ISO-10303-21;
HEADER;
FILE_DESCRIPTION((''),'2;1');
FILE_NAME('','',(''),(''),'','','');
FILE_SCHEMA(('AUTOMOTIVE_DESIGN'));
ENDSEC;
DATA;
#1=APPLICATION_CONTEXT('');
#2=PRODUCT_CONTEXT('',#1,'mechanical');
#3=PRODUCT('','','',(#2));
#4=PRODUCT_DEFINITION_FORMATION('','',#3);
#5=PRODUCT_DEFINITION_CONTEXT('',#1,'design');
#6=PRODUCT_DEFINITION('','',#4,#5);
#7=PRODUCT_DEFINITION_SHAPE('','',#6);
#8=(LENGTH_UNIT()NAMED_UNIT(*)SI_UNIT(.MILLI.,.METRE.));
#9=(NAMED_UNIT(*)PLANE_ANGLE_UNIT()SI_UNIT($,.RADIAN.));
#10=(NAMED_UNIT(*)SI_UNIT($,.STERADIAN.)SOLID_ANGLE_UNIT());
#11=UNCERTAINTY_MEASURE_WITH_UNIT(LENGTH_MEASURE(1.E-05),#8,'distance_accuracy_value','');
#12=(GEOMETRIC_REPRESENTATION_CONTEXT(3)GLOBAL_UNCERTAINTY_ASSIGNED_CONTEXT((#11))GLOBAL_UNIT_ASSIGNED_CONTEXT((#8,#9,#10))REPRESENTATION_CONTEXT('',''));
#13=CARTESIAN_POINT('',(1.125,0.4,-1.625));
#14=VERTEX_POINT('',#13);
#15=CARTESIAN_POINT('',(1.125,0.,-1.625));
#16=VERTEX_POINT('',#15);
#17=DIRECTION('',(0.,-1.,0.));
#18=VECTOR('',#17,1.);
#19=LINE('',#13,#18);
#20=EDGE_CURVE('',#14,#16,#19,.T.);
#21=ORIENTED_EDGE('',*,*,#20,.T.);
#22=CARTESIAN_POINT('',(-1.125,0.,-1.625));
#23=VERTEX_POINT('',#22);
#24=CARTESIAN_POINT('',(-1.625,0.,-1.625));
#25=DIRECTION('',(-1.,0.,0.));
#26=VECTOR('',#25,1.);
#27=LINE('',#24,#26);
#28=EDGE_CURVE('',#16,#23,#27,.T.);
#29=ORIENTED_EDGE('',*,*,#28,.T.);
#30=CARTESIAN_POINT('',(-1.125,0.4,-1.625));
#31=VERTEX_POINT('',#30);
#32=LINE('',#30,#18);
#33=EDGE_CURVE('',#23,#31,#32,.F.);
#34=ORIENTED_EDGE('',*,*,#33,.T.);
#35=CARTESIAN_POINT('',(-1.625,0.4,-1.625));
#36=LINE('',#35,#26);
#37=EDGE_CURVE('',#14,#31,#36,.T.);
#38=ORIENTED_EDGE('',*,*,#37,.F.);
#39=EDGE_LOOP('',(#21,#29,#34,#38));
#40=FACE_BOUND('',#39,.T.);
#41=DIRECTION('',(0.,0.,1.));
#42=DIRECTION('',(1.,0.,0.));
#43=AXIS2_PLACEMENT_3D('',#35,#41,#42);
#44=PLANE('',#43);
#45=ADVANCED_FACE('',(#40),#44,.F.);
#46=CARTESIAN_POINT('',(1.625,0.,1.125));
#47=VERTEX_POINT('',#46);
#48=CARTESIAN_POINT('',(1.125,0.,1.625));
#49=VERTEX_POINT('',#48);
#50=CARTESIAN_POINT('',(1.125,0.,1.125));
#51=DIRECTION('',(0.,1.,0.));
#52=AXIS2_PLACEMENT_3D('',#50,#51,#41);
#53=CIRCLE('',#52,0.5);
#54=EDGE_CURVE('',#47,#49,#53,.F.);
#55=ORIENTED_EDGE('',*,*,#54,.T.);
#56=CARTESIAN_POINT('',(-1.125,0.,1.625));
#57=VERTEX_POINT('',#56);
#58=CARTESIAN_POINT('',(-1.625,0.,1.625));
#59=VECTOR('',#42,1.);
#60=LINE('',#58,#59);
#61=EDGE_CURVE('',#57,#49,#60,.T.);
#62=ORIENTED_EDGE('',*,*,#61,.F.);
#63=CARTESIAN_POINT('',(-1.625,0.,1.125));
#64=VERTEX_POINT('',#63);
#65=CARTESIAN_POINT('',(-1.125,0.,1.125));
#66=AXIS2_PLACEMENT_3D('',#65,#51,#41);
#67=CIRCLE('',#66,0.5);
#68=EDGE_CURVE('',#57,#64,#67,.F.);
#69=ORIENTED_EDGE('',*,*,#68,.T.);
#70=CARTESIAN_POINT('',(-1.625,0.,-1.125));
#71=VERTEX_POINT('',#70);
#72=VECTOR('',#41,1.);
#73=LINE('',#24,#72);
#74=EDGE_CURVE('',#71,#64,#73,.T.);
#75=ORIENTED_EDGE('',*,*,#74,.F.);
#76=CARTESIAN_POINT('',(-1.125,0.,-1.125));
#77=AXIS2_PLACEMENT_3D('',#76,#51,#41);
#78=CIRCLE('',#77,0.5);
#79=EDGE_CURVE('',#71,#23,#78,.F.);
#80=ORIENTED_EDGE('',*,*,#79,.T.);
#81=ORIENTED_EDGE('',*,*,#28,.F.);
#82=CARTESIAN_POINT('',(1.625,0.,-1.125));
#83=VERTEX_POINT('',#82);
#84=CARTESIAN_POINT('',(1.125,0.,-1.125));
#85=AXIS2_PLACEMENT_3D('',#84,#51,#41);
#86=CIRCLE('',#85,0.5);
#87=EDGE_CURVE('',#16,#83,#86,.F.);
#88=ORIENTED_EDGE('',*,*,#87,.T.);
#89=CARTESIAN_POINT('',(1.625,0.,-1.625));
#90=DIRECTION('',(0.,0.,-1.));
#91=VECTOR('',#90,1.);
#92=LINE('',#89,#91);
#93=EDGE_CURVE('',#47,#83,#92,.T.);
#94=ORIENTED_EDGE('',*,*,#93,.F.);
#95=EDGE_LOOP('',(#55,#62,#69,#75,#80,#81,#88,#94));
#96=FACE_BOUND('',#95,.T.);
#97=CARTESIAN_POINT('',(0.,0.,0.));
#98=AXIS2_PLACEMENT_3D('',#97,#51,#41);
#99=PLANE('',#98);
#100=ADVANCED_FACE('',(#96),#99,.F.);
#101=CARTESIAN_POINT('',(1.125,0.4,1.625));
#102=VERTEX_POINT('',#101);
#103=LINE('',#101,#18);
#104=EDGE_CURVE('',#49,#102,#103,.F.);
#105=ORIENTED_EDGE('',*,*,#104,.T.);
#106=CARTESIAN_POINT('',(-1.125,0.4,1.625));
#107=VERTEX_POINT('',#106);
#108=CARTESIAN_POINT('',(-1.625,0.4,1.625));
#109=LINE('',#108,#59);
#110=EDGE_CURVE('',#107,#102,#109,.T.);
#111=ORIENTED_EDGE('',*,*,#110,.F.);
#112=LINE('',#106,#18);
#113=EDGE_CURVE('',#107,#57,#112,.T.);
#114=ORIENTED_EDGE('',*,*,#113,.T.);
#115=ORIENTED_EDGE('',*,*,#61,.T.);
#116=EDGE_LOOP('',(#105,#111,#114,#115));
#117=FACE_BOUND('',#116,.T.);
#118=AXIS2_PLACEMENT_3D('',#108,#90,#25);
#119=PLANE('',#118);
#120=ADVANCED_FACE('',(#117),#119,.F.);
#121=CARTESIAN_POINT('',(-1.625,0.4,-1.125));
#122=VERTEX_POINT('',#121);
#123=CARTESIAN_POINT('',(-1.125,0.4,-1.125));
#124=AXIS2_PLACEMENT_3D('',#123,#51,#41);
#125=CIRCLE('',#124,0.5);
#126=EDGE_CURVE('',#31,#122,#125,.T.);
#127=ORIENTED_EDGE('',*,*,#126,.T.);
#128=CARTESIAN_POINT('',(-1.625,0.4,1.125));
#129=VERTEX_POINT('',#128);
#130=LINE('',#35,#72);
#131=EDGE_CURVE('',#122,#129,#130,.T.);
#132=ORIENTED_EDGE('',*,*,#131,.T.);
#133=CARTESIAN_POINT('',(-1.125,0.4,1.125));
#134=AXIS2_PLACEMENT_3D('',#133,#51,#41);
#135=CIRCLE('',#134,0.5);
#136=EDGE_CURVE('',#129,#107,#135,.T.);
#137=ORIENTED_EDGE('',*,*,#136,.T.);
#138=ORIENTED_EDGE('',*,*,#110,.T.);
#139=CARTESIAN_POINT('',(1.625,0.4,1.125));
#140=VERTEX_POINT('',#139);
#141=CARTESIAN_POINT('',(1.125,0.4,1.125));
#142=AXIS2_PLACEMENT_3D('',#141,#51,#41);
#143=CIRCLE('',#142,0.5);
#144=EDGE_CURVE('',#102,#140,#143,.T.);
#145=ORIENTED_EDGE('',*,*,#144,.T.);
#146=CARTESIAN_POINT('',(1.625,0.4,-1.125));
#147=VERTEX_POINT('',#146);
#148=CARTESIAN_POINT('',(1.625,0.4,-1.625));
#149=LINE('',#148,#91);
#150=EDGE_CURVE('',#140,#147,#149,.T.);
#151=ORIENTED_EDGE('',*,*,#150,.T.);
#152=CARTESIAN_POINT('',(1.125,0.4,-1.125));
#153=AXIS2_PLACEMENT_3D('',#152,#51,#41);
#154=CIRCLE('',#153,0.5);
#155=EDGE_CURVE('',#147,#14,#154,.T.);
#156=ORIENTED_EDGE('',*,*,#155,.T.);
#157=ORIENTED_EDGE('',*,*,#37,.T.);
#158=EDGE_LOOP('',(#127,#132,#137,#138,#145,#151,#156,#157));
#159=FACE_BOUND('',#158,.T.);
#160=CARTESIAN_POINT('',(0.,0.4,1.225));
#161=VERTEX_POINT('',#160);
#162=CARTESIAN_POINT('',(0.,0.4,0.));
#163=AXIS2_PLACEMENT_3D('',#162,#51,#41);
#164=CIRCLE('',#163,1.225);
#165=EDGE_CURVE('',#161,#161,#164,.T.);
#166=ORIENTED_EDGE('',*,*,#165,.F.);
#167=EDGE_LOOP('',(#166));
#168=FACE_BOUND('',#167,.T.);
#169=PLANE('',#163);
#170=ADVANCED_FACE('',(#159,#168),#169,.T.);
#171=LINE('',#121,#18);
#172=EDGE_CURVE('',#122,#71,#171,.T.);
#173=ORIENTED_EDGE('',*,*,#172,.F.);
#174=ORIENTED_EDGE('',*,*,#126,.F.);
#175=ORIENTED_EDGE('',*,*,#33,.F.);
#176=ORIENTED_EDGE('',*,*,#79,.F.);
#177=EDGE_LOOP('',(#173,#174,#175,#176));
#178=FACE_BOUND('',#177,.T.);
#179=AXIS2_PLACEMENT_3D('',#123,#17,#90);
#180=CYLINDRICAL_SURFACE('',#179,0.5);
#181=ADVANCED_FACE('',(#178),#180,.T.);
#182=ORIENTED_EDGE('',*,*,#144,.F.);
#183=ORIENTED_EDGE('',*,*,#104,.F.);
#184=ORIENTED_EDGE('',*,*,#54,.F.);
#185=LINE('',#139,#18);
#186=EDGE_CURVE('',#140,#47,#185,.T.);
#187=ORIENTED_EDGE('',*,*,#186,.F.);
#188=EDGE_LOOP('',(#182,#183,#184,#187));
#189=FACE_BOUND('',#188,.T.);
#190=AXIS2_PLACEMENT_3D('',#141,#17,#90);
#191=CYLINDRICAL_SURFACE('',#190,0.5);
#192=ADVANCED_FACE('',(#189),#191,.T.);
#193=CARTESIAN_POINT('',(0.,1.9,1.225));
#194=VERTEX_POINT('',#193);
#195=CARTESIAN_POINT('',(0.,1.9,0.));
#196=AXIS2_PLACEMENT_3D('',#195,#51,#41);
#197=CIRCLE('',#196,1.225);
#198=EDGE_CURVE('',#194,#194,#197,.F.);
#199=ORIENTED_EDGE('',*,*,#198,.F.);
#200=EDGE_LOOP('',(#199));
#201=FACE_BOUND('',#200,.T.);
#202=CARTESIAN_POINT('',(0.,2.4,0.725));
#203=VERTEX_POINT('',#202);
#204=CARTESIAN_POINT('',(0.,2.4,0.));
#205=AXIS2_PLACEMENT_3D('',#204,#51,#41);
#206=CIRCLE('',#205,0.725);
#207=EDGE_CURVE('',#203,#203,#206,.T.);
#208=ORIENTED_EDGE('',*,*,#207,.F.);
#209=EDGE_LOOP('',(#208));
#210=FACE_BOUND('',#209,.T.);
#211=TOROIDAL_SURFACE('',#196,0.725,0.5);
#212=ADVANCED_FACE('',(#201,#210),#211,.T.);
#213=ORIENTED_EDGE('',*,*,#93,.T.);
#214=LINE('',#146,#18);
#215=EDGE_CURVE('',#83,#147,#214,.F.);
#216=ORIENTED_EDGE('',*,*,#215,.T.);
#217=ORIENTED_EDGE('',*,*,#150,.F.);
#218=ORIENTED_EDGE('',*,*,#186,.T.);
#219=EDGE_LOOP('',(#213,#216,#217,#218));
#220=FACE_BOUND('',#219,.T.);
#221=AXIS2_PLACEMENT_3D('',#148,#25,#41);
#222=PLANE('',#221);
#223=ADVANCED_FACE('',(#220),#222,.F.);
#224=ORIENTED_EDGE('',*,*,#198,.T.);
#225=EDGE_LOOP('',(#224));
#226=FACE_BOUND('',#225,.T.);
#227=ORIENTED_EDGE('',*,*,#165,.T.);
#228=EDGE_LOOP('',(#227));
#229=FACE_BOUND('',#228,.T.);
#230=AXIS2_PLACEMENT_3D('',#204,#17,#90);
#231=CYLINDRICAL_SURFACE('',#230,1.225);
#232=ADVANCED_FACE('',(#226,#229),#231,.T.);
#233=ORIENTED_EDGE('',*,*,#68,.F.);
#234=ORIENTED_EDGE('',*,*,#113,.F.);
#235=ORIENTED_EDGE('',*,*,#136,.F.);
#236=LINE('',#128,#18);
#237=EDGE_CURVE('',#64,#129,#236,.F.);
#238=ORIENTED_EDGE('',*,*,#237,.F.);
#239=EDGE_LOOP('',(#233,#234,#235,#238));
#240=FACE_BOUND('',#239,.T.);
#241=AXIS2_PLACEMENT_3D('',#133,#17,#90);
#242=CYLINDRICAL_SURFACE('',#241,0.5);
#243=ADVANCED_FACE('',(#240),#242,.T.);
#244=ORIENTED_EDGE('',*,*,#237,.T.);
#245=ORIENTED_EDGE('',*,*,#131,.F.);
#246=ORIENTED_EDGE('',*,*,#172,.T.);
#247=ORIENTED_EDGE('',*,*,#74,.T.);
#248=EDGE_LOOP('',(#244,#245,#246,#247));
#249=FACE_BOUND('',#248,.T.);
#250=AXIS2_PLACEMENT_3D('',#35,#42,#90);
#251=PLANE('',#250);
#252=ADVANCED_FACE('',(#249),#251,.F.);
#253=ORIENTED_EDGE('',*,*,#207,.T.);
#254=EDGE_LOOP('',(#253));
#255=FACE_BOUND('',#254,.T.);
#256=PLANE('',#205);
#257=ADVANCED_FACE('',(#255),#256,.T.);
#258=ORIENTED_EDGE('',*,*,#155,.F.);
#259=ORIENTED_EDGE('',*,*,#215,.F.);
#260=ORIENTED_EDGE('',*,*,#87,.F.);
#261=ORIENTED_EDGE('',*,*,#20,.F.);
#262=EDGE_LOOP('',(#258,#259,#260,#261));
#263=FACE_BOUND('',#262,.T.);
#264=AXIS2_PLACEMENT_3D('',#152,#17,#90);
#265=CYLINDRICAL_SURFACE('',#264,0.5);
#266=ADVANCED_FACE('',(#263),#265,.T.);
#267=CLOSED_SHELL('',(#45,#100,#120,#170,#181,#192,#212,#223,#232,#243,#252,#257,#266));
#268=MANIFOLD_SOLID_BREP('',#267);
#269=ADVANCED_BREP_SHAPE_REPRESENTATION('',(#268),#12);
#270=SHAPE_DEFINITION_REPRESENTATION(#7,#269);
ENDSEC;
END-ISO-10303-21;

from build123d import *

# Parameters (mm, degrees)
SKETCH1_W           = 3.25
SKETCH1_H           = 3.25
BOSS_EXTRUDE1_DEPTH = 0.4
SKETCH2_R           = 1.225
BOSS_EXTRUDE2_DEPTH = 2
FILLET1_R           = 0.5
FILLET2_R           = 0.5


with BuildPart() as part:
    # Sketch1 → Boss-Extrude1 (new body)
    with BuildSketch(Plane(origin=(0, 0, 0), x_dir=(1, 0, 0), z_dir=(0, 1, 0))):
        Rectangle(SKETCH1_W, SKETCH1_H)
    extrude(amount=BOSS_EXTRUDE1_DEPTH)

    # Sketch2 → Boss-Extrude2 (add)
    with BuildSketch(Plane(origin=(0, 0.4, 0), x_dir=(1, 0, 0), z_dir=(0, 1, 0))):
        with Locations(Location((0, 0, 0), (0, 0, 270))):
            Circle(SKETCH2_R)
    extrude(amount=BOSS_EXTRUDE2_DEPTH)

    # Fillet1
    fillet1_edges = [part.edges().sort_by_distance(p)[0] for p in [
        (0, 2.4, -1.225),
    ]]
    fillet(fillet1_edges, radius=FILLET1_R)

    # Fillet2
    fillet2_edges = [part.edges().sort_by_distance(p)[0] for p in [
        (1.625, 0.2, 1.625),
        (-1.625, 0.2, 1.625),
        (-1.625, 0.2, -1.625),
        (1.625, 0.2, -1.625),
    ]]
    fillet(fillet2_edges, radius=FILLET2_R)


solid = part.part
